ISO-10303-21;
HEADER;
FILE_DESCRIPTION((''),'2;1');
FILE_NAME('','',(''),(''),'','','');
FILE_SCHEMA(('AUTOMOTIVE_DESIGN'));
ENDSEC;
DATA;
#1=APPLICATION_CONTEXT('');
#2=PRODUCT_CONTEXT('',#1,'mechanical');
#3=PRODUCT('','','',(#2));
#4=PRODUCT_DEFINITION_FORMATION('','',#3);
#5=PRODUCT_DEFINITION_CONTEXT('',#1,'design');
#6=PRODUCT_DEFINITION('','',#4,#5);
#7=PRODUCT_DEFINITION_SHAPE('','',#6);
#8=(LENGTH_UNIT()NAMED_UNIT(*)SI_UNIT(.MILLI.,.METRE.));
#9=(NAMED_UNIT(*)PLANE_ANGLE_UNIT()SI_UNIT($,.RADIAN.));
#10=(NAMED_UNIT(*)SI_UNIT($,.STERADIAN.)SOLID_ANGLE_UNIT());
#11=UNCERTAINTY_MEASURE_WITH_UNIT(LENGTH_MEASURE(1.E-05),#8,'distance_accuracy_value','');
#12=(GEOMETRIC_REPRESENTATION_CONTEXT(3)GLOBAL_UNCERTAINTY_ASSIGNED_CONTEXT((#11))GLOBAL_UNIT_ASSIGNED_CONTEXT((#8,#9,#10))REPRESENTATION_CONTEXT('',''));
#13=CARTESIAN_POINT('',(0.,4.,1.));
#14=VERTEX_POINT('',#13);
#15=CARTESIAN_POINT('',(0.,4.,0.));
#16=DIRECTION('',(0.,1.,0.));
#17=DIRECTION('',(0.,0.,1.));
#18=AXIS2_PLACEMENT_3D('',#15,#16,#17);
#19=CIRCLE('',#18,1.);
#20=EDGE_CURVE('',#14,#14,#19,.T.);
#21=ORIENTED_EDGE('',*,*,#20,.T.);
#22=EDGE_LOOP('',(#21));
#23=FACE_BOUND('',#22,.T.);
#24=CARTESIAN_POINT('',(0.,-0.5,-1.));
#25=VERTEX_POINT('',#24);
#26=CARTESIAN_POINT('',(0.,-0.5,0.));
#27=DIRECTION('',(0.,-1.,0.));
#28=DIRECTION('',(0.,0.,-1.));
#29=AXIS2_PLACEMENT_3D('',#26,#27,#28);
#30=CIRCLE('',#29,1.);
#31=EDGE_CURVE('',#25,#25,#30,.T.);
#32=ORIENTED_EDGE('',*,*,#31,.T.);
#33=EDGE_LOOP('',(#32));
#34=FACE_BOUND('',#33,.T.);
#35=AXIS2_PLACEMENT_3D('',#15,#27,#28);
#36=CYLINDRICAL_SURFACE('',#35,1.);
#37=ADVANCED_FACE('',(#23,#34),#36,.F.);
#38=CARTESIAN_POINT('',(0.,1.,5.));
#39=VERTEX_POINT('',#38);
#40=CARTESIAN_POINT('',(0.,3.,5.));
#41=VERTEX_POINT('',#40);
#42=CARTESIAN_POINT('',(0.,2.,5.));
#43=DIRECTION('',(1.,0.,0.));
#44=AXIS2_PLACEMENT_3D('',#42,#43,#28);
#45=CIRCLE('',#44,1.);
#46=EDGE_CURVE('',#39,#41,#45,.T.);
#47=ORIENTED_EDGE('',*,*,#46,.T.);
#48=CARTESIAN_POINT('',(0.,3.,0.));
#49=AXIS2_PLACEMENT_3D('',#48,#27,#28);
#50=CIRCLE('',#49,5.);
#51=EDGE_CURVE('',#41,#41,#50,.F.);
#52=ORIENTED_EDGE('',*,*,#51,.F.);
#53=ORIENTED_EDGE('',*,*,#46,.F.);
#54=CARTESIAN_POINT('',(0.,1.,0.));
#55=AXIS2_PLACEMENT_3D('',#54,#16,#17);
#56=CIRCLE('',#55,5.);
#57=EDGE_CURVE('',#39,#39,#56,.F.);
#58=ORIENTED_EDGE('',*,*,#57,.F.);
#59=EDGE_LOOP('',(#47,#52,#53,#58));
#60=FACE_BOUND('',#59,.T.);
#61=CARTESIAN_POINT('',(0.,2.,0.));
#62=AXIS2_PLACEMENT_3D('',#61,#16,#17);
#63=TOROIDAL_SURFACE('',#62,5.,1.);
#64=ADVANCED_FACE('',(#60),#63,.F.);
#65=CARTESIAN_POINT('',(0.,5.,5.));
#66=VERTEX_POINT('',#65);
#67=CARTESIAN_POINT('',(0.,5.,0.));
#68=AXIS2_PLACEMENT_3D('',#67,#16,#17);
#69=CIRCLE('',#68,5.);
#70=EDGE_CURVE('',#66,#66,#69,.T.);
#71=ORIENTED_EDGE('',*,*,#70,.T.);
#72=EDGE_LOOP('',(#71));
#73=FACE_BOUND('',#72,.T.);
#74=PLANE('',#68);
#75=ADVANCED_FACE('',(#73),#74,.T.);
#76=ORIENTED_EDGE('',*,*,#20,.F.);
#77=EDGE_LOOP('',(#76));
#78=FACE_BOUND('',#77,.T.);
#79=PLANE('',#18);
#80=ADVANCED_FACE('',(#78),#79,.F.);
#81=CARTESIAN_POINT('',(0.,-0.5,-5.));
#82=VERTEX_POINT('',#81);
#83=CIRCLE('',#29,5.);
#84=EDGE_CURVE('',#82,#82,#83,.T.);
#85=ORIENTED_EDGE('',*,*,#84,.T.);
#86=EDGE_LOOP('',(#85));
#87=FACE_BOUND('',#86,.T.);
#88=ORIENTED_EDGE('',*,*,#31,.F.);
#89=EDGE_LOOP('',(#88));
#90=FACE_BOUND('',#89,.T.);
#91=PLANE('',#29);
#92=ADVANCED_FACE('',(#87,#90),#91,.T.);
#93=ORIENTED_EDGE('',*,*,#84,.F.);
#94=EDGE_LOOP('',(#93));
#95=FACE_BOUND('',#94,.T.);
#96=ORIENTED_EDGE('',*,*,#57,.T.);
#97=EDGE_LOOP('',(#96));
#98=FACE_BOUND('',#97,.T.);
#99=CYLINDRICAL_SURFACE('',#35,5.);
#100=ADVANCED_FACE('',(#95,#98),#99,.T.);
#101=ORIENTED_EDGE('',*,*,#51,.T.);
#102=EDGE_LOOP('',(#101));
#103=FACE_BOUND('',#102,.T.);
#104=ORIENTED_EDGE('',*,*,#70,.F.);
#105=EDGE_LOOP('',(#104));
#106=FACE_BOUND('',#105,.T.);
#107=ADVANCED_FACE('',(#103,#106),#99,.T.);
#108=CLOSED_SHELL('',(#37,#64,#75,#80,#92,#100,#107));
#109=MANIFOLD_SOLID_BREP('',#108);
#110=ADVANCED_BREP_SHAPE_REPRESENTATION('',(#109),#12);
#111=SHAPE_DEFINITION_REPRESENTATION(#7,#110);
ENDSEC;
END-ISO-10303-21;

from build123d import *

# Parameters (mm, degrees)
SKETCH1_R            = 5
SKETCH1_R_2          = 1
BOSS_EXTRUDE1_DEPTH  = 4
CUT_SWEEP1_PROFILE_R = 1
SKETCH13_R           = 5
BOSS_EXTRUDE2_DEPTH  = 1
SKETCH14_R           = 5
SKETCH14_R_2         = 1
BOSS_EXTRUDE3_DEPTH  = 0.5


with BuildPart() as part:
    # Sketch1 → Boss-Extrude1 (new body)
    with BuildSketch(Plane(origin=(0, 0, 0), x_dir=(1, 0, 0), z_dir=(0, 1, 0))):
        with Locations(Location((0, 0, 0), (0, 0, 270))):
            Circle(SKETCH1_R)
        with Locations(Location((0, 0, 0), (0, 0, 270))):
            Circle(SKETCH1_R_2, mode=Mode.SUBTRACT)
    extrude(amount=BOSS_EXTRUDE1_DEPTH)

    # Cut-Sweep1: sweep along a path in Sketch2
    with BuildLine(Plane(origin=(0, 2, 0), x_dir=(1, 0, 0), z_dir=(0, 1, 0))) as cut_sweep1_path:
        CenterArc((0, 0), 5, 0, 360)
    # Cut-Sweep1 profile (on start of the path) → Cut-Sweep1 (sweep, cut)
    with BuildSketch(Plane(origin=(5, 2, 0), x_dir=(-1, 0, 0), z_dir=(0, 0, -1))):
        Circle(CUT_SWEEP1_PROFILE_R)
    sweep(path=cut_sweep1_path.line, mode=Mode.SUBTRACT)

    # Sketch13 → Boss-Extrude2 (add)
    with BuildSketch(Plane(origin=(0, 4, 0), x_dir=(1, 0, 0), z_dir=(0, 1, 0))):
        with Locations(Location((0, 0, 0), (0, 0, 270))):
            Circle(SKETCH13_R)
    extrude(amount=BOSS_EXTRUDE2_DEPTH)

    # Sketch14 → Boss-Extrude3 (add)
    with BuildSketch(Plane.XZ):
        with Locations(Location((0, 0, 0), (0, 0, 90))):
            Circle(SKETCH14_R)
        with Locations(Location((0, 0, 0), (0, 0, 270))):
            Circle(SKETCH14_R_2, mode=Mode.SUBTRACT)
    extrude(amount=BOSS_EXTRUDE3_DEPTH)


solid = part.part
